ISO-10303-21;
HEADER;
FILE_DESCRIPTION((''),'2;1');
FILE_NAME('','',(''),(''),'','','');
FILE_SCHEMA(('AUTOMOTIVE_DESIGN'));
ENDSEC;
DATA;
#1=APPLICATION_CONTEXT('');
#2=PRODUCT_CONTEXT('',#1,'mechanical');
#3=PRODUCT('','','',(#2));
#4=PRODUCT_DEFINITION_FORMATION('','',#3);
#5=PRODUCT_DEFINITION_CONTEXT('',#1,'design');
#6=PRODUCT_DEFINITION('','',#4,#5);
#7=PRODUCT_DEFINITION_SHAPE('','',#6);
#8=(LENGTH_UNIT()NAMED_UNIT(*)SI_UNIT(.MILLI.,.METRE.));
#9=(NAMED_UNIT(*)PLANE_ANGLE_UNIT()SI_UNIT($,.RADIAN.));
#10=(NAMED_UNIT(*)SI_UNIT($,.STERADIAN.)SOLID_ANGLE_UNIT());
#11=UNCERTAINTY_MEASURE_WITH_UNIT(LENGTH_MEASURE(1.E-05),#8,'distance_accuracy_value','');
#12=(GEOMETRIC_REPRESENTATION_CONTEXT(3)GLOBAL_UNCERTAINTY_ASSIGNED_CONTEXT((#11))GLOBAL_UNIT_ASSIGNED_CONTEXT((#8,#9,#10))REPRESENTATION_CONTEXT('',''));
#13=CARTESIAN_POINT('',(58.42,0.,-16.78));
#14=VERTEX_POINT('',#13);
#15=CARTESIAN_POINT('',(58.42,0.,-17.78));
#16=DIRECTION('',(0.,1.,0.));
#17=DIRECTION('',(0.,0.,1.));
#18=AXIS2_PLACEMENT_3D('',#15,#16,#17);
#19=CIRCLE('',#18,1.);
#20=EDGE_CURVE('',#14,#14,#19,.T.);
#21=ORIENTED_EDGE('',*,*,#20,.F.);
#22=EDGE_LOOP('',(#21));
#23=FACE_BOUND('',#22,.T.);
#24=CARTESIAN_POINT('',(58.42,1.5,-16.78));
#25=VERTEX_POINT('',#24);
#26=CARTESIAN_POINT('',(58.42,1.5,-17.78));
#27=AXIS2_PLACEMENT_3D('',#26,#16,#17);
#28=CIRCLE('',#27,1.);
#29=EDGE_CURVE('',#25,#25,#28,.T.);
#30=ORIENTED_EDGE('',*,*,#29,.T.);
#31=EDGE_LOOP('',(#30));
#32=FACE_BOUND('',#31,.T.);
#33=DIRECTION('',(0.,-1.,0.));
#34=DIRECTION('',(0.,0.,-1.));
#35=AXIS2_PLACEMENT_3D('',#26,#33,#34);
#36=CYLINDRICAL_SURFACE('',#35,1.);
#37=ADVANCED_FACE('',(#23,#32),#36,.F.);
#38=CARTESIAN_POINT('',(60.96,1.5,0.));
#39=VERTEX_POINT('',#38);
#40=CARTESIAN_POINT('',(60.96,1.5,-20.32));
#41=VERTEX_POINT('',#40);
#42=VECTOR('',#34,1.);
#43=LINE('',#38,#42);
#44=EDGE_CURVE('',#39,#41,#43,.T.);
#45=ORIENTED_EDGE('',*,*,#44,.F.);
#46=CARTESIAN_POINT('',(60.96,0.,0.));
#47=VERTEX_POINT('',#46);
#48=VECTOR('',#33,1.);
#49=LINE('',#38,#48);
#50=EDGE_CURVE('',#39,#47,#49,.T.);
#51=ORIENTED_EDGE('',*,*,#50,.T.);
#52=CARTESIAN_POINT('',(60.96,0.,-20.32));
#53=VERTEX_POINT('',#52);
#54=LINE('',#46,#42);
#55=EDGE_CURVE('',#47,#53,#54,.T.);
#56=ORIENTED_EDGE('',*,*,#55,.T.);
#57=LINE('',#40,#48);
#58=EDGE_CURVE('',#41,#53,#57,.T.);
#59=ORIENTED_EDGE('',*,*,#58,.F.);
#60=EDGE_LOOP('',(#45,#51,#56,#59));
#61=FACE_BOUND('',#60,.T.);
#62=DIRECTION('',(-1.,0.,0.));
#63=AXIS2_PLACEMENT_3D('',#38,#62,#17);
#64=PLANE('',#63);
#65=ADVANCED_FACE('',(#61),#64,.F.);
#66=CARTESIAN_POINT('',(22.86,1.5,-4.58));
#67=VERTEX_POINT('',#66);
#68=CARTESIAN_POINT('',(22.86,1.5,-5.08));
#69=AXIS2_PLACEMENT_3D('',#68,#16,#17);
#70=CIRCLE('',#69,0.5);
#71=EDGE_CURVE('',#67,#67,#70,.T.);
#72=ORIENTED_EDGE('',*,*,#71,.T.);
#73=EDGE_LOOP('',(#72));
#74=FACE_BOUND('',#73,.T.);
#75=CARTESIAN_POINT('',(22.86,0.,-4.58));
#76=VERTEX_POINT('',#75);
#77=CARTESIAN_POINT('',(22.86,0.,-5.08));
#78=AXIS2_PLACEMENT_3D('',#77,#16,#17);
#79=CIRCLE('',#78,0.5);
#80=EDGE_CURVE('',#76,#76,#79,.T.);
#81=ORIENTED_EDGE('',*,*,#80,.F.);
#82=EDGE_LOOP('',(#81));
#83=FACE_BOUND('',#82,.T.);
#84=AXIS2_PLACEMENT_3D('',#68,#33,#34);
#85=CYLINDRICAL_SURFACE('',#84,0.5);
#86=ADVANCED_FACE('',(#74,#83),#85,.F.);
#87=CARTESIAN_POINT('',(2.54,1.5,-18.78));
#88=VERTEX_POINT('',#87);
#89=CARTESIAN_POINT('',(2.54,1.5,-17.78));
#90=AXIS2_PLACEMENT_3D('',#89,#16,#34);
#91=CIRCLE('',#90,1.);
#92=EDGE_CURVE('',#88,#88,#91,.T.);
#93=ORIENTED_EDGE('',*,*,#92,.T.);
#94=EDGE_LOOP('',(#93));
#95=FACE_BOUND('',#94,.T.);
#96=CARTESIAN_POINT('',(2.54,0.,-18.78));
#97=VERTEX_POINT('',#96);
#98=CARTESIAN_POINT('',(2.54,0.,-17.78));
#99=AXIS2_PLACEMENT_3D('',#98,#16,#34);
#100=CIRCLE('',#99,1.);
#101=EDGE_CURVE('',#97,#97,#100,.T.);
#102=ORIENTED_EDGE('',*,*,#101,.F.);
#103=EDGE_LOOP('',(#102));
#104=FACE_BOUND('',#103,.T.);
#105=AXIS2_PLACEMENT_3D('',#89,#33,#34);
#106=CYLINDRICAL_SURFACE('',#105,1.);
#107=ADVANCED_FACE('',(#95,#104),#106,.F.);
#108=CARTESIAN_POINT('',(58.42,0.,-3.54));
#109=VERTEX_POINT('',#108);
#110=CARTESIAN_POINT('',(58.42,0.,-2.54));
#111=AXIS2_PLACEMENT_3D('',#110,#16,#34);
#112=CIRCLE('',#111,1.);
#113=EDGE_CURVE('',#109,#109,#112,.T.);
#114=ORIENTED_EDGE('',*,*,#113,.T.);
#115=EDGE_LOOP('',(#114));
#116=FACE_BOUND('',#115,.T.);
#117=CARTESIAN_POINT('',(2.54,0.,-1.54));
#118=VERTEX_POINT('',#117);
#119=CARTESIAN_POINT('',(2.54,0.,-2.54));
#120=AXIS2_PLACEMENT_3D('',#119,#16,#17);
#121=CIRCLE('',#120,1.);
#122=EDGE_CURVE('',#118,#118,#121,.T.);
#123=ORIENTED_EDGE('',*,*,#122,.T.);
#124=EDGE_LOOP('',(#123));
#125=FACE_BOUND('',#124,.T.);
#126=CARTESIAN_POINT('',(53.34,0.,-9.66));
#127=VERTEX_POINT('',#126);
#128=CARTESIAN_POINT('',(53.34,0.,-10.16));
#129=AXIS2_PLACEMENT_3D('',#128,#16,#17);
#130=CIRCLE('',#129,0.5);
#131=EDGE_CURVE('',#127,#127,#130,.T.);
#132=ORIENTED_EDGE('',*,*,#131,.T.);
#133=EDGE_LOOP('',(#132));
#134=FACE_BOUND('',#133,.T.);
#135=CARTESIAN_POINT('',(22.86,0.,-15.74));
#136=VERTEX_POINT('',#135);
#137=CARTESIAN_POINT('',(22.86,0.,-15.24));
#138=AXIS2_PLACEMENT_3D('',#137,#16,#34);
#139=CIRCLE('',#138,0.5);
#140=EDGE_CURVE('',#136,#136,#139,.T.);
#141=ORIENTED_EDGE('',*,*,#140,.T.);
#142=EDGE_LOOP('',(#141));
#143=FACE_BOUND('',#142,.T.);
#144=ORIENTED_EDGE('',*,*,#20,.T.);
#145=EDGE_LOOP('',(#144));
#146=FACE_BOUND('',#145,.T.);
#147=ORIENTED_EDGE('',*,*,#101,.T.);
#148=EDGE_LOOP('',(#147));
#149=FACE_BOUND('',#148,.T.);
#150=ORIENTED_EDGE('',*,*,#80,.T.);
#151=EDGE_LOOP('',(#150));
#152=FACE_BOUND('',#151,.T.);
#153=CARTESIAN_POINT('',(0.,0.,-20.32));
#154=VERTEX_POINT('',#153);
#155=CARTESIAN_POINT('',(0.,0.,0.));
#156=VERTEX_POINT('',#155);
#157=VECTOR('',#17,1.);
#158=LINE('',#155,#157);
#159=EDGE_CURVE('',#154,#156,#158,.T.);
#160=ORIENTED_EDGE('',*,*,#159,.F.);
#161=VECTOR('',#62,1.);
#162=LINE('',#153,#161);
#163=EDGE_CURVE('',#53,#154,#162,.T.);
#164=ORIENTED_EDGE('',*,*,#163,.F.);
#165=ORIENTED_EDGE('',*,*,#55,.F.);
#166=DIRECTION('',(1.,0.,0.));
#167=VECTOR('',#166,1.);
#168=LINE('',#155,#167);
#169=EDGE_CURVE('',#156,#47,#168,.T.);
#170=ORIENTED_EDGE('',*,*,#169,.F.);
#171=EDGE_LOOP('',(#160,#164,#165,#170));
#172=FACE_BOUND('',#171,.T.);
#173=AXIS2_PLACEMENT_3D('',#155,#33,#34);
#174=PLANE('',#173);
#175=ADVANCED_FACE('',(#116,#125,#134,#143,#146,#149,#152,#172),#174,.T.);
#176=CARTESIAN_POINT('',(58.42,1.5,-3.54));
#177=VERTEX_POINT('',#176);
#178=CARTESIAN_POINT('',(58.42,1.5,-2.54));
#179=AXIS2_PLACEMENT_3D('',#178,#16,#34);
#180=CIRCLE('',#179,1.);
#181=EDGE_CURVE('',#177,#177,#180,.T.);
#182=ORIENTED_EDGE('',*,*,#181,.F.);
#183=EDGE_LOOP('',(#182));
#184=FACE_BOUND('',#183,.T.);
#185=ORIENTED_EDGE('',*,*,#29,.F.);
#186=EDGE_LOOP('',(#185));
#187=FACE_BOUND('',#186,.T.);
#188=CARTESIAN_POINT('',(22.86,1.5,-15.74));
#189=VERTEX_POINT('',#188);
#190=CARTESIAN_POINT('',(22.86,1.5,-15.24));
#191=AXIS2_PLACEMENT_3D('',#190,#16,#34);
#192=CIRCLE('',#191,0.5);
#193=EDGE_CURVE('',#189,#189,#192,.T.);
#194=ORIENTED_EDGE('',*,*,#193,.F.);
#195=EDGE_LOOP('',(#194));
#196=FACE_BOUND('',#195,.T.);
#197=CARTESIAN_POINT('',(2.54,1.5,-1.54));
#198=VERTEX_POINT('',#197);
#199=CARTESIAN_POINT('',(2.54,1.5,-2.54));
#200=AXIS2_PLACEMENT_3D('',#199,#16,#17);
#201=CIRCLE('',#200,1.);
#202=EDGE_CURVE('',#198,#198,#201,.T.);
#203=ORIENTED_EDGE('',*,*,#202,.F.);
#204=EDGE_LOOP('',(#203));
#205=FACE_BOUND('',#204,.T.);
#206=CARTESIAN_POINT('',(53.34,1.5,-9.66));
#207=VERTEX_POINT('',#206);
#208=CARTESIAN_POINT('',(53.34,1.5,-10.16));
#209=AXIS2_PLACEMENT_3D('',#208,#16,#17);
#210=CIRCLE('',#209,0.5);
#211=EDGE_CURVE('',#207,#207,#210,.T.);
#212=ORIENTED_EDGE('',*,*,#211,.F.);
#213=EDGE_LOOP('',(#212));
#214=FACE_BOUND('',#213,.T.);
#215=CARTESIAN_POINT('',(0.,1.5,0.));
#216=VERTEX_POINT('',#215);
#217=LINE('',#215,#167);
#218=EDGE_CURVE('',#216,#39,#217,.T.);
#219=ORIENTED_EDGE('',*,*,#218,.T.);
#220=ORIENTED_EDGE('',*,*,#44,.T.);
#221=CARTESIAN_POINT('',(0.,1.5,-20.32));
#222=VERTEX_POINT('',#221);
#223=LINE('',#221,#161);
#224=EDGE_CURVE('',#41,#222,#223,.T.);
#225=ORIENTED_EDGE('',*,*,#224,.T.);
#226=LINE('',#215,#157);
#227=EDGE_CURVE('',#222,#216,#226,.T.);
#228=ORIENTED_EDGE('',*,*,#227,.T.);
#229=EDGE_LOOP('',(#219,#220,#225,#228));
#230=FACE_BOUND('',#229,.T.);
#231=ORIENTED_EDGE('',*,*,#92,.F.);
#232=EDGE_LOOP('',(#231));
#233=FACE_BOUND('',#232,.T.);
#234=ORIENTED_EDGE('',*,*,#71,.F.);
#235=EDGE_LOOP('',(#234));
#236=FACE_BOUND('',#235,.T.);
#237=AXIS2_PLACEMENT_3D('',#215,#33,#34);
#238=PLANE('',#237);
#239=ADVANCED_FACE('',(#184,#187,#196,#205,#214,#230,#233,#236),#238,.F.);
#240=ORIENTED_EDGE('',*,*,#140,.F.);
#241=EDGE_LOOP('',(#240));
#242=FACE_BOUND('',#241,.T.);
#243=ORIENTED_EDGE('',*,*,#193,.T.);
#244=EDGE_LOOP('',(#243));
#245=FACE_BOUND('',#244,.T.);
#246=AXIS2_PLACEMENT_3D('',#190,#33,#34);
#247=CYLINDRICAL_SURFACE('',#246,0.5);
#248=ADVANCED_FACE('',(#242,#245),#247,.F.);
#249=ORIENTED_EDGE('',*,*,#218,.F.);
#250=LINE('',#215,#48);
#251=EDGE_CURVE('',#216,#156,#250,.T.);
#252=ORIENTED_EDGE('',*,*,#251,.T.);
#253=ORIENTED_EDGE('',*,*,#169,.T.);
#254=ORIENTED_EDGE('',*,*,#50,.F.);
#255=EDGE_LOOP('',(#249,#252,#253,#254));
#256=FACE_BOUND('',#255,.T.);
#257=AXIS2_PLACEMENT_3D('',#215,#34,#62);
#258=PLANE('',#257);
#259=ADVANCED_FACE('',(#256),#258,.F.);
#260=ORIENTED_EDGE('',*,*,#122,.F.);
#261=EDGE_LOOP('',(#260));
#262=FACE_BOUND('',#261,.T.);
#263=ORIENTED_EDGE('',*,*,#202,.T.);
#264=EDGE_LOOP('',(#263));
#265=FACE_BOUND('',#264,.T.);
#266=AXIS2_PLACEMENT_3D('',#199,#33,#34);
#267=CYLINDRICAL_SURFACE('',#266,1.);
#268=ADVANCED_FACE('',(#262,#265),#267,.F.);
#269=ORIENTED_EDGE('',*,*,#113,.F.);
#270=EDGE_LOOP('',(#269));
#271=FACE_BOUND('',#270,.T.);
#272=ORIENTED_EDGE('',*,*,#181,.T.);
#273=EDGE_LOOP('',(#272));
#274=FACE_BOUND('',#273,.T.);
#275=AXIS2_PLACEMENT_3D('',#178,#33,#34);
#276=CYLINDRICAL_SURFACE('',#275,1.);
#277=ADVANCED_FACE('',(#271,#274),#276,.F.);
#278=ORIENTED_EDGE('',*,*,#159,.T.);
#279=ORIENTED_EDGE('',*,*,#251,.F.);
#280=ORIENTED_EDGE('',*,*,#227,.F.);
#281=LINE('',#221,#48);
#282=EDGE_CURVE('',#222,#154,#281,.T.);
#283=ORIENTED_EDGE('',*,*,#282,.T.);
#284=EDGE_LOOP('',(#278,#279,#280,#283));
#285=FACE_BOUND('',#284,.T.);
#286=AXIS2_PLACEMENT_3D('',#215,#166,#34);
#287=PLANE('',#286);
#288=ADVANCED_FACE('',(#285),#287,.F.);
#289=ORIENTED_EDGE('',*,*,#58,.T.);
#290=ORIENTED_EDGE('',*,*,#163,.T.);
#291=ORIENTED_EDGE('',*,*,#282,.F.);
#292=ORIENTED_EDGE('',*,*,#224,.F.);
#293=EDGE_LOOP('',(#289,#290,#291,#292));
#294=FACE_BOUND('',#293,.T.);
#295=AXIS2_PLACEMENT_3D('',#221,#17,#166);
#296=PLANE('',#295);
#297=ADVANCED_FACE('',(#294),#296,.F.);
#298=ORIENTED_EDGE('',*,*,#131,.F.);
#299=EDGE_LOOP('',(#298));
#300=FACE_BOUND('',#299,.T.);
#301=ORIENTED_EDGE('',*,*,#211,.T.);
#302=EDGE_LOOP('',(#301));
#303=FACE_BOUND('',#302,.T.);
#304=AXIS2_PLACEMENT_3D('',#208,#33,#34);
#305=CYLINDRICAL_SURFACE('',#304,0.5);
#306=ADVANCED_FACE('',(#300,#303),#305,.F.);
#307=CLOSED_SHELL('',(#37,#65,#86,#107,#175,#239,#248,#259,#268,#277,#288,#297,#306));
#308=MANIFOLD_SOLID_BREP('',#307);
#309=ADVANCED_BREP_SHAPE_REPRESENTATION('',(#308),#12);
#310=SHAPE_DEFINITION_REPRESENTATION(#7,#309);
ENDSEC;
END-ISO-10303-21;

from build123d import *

# Parameters (mm, degrees)
SKETCH1_W           = 60.96
SKETCH1_H           = 20.32
SKETCH1_R           = 1
SKETCH1_R_2         = 0.5
BOSS_EXTRUDE1_DEPTH = 1.5


with BuildPart() as part:
    # Sketch1 → Boss-Extrude1 (new body)
    with BuildSketch(Plane(origin=(0, 0, 0), x_dir=(1, 0, 0), z_dir=(0, 1, 0))):
        with Locations((30.48, 10.16)):
            Rectangle(SKETCH1_W, SKETCH1_H)
        with Locations(Location((2.54, 2.54, 0), (0, 0, 270))):  # turned: the seam where the file's is
            Circle(SKETCH1_R, mode=Mode.SUBTRACT)
        with Locations(Location((58.42, 2.54, 0), (0, 0, 90))):  # turned: the seam where the file's is
            Circle(SKETCH1_R, mode=Mode.SUBTRACT)
        with Locations(Location((58.42, 17.78, 0), (0, 0, 270))):  # turned: the seam where the file's is
            Circle(SKETCH1_R, mode=Mode.SUBTRACT)
        with Locations(Location((2.54, 17.78, 0), (0, 0, 90))):  # turned: the seam where the file's is
            Circle(SKETCH1_R, mode=Mode.SUBTRACT)
        with Locations(Location((22.86, 5.08, 0), (0, 0, 270))):  # turned: the seam where the file's is
            Circle(SKETCH1_R_2, mode=Mode.SUBTRACT)
        with Locations(Location((53.34, 10.16, 0), (0, 0, 270))):  # turned: the seam where the file's is
            Circle(SKETCH1_R_2, mode=Mode.SUBTRACT)
        with Locations(Location((22.86, 15.24, 0), (0, 0, 90))):  # turned: the seam where the file's is
            Circle(SKETCH1_R_2, mode=Mode.SUBTRACT)
    extrude(amount=BOSS_EXTRUDE1_DEPTH)


solid = part.part
